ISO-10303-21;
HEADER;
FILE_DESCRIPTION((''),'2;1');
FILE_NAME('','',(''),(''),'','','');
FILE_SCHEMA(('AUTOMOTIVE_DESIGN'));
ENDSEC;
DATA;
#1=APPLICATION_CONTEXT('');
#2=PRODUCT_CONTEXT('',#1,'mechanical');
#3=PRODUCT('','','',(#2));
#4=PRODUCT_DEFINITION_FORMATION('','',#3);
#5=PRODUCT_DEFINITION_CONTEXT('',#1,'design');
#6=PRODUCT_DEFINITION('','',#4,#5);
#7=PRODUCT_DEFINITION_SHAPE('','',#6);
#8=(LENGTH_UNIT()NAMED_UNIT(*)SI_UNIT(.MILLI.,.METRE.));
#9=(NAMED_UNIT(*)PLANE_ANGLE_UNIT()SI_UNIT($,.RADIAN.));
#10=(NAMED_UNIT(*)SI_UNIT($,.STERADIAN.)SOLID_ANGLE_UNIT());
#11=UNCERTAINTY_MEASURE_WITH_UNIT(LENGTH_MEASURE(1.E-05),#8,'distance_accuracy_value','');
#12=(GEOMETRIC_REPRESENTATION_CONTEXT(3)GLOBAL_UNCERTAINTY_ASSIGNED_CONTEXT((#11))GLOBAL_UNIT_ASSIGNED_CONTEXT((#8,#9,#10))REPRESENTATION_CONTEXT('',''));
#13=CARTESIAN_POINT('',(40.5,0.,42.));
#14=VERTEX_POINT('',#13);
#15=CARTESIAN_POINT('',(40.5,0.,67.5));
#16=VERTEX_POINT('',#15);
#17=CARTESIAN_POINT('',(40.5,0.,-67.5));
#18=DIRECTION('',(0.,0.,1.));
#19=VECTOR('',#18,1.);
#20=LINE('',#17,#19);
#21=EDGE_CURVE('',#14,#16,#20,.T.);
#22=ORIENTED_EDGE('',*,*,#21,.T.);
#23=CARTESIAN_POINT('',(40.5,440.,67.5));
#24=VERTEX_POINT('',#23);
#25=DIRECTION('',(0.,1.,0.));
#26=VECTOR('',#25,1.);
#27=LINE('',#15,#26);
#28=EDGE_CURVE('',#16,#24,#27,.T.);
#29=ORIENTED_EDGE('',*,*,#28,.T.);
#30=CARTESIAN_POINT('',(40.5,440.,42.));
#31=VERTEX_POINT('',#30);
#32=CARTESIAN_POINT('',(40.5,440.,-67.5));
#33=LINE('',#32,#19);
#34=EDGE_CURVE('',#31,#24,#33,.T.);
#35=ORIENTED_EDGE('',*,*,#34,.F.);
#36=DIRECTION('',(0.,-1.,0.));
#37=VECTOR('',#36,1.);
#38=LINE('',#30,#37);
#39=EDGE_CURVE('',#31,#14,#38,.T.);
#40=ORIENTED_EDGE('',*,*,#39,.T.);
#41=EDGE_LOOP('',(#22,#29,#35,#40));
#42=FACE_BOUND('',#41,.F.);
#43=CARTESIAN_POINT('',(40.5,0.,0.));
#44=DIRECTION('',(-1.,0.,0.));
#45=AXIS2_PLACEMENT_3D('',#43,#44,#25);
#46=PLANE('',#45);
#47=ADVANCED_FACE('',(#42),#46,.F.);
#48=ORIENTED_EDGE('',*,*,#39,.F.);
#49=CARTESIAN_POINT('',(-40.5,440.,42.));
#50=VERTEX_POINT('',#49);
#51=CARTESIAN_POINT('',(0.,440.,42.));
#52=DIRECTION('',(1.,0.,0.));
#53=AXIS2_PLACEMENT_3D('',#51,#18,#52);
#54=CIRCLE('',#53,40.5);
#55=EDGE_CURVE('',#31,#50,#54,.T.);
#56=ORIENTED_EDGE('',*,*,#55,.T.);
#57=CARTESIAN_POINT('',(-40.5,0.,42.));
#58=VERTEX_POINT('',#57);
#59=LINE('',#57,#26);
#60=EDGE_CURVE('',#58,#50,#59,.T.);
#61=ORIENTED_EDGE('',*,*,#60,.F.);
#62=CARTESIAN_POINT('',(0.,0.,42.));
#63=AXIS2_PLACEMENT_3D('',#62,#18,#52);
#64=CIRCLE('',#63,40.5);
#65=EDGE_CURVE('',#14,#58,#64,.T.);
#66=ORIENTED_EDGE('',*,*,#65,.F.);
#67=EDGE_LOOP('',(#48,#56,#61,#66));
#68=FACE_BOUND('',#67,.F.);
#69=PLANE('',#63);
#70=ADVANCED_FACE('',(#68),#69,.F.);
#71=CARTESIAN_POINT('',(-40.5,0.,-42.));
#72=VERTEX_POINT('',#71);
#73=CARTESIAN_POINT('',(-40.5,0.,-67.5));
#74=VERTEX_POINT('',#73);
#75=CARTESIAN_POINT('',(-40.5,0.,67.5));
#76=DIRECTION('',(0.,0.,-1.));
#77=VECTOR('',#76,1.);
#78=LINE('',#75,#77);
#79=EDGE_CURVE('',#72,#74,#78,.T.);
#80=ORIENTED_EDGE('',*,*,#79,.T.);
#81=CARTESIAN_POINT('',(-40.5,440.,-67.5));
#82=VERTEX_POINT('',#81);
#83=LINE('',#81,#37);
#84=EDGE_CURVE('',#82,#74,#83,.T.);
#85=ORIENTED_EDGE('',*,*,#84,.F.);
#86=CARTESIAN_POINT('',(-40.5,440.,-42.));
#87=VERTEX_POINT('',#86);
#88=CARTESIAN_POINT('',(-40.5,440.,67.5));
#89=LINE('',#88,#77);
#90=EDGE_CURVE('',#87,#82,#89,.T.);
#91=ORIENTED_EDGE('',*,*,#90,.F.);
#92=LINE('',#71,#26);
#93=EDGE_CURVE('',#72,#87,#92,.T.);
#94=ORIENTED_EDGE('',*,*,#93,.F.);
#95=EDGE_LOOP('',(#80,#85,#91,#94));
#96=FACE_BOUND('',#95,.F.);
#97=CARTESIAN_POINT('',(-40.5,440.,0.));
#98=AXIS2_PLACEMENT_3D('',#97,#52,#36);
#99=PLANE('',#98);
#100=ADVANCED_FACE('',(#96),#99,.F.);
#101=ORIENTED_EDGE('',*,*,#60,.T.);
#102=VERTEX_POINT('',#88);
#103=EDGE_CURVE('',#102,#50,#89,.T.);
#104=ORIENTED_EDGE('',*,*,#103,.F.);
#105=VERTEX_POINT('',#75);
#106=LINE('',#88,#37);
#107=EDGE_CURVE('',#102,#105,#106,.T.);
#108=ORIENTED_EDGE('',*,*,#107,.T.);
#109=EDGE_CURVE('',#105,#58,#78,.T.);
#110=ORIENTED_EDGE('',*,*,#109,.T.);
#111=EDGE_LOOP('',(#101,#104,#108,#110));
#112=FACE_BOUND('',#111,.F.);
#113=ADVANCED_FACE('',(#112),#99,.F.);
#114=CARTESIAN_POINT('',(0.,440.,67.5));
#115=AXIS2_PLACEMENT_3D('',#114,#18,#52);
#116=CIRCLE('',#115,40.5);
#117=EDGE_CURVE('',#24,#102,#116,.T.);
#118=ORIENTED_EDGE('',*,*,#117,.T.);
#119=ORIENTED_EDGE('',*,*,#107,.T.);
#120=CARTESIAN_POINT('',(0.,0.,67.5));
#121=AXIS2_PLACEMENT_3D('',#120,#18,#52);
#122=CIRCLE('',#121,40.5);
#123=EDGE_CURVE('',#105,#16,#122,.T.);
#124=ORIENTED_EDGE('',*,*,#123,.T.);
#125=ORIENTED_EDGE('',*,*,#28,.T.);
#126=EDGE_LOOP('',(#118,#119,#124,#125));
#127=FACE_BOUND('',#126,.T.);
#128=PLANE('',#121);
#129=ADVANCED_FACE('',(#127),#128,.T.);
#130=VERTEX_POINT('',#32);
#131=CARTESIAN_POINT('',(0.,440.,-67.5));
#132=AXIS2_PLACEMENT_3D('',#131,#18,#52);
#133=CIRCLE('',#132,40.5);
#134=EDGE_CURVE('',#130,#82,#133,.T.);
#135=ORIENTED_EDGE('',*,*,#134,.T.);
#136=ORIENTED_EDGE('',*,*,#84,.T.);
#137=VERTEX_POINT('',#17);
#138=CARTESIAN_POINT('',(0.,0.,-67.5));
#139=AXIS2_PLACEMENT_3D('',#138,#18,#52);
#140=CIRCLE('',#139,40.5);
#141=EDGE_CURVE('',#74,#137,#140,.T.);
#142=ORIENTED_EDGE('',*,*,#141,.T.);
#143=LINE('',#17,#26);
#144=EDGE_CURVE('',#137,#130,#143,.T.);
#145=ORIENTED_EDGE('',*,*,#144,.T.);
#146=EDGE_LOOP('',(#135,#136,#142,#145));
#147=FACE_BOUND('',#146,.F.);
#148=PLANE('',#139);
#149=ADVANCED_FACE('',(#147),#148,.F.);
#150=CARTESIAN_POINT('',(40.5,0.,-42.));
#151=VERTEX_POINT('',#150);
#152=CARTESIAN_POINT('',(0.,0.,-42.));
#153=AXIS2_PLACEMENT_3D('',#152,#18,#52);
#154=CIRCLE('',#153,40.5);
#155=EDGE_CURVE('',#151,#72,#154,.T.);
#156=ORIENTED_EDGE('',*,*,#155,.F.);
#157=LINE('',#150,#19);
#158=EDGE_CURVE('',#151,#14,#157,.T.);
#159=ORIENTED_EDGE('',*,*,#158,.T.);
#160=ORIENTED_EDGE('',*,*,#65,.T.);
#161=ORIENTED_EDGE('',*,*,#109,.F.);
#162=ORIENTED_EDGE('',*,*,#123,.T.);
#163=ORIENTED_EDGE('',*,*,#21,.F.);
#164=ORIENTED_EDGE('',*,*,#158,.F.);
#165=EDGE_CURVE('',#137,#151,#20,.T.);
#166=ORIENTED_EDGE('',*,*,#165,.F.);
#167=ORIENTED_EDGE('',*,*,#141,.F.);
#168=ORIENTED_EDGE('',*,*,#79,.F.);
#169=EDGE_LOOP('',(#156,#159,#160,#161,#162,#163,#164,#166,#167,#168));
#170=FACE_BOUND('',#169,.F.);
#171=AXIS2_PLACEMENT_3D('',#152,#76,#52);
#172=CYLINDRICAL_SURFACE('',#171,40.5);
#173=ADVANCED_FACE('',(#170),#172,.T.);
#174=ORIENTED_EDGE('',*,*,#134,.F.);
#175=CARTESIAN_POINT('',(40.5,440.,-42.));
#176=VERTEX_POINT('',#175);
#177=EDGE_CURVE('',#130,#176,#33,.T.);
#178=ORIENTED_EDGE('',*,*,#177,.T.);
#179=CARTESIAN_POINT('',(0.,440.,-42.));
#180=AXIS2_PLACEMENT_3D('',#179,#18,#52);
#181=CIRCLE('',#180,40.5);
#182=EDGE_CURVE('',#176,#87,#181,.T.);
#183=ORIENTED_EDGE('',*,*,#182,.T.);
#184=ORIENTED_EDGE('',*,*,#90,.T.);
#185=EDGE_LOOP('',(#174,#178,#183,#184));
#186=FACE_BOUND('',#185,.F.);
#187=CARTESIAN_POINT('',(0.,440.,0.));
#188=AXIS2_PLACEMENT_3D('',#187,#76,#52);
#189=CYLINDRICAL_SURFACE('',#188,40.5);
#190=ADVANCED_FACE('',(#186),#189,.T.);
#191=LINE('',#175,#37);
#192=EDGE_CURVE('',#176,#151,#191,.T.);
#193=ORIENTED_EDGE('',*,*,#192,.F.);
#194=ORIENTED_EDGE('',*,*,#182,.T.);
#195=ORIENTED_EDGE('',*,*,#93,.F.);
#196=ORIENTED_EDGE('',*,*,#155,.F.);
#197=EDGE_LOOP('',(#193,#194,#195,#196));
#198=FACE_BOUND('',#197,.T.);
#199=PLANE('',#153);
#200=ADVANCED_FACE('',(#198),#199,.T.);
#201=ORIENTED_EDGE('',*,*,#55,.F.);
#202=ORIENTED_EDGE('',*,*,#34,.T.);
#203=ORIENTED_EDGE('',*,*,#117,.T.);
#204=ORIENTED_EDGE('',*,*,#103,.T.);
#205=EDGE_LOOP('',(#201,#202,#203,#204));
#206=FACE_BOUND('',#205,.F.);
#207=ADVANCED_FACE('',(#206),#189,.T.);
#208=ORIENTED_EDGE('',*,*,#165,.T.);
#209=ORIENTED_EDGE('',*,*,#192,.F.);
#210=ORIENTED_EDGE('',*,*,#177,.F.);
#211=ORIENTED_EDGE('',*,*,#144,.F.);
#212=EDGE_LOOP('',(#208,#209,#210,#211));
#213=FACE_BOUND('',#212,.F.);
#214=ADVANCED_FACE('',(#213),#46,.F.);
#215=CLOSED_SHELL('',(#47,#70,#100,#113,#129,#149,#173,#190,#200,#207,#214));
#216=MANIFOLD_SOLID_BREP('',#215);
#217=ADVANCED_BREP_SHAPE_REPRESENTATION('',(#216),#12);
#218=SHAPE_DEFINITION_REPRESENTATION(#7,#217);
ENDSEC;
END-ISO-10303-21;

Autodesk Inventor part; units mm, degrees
ref_plane "YZ Plane" through (0, 0, 0) normal (1, 0, 0) x (0, 1, 0)
ref_plane "XZ Plane" through (0, 0, 0) normal (0, 1, 0) x (-1, 0, 0)
ref_plane "XY Plane" through (0, 0, 0) normal (0, 0, 1) x (1, 0, 0)
sketch "スケッチ1" plane through (0, 0, 0) normal (0, 0, 1) x (1, 0, 0)
  circle A0 centre (0, 0) radius 40.5
  circle A1 centre (0, 440) radius 40.5
  line L0 (-40.5, 440) -> (-40.5, 0)
  line L1 (40.5, 0) -> (40.5, 440)
  dimension "d0" = 81
  dimension "d1" = 81
  dimension "d2" = 440
extrude "押し出し1" add sketch "スケッチ1" along normal mid plane 135
sketch "スケッチ2" plane through (0, 0, 0) normal (0, 0, 1) x (1, 0, 0)
  arc A0 (-40.5, 0) -> (40.5, 0) centre (0, 0) ccw projected
  line L0 (-40.5, 0) -> (-40.5, 440) projected
  arc A1 (40.5, 440) -> (-40.5, 440) centre (0, 440) ccw projected
  line L1 (40.5, 440) -> (40.5, 0) projected
  arc A2 (-40.5, 0) -> (40.5, 0) centre (0, 0) ccw projected
  line L2 (-40.5, 0) -> (-40.5, 440) projected
  arc A3 (40.5, 440) -> (-40.5, 440) centre (0, 440) ccw projected
  line L3 (40.5, 440) -> (40.5, 0) projected
extrude "押し出し2" cut sketch "スケッチ2" along normal mid plane 84
sketch "スケッチ3" plane through (0, 0, -42) normal (0, 0, 1) x (1, 0, 0)
  circle A0 centre (0, 0) radius 40.5
  point P0 (40.5, 0)
extrude "押し出し3" add sketch "スケッチ3" along normal up to surface (84 mm away)
properties part number "link2"
